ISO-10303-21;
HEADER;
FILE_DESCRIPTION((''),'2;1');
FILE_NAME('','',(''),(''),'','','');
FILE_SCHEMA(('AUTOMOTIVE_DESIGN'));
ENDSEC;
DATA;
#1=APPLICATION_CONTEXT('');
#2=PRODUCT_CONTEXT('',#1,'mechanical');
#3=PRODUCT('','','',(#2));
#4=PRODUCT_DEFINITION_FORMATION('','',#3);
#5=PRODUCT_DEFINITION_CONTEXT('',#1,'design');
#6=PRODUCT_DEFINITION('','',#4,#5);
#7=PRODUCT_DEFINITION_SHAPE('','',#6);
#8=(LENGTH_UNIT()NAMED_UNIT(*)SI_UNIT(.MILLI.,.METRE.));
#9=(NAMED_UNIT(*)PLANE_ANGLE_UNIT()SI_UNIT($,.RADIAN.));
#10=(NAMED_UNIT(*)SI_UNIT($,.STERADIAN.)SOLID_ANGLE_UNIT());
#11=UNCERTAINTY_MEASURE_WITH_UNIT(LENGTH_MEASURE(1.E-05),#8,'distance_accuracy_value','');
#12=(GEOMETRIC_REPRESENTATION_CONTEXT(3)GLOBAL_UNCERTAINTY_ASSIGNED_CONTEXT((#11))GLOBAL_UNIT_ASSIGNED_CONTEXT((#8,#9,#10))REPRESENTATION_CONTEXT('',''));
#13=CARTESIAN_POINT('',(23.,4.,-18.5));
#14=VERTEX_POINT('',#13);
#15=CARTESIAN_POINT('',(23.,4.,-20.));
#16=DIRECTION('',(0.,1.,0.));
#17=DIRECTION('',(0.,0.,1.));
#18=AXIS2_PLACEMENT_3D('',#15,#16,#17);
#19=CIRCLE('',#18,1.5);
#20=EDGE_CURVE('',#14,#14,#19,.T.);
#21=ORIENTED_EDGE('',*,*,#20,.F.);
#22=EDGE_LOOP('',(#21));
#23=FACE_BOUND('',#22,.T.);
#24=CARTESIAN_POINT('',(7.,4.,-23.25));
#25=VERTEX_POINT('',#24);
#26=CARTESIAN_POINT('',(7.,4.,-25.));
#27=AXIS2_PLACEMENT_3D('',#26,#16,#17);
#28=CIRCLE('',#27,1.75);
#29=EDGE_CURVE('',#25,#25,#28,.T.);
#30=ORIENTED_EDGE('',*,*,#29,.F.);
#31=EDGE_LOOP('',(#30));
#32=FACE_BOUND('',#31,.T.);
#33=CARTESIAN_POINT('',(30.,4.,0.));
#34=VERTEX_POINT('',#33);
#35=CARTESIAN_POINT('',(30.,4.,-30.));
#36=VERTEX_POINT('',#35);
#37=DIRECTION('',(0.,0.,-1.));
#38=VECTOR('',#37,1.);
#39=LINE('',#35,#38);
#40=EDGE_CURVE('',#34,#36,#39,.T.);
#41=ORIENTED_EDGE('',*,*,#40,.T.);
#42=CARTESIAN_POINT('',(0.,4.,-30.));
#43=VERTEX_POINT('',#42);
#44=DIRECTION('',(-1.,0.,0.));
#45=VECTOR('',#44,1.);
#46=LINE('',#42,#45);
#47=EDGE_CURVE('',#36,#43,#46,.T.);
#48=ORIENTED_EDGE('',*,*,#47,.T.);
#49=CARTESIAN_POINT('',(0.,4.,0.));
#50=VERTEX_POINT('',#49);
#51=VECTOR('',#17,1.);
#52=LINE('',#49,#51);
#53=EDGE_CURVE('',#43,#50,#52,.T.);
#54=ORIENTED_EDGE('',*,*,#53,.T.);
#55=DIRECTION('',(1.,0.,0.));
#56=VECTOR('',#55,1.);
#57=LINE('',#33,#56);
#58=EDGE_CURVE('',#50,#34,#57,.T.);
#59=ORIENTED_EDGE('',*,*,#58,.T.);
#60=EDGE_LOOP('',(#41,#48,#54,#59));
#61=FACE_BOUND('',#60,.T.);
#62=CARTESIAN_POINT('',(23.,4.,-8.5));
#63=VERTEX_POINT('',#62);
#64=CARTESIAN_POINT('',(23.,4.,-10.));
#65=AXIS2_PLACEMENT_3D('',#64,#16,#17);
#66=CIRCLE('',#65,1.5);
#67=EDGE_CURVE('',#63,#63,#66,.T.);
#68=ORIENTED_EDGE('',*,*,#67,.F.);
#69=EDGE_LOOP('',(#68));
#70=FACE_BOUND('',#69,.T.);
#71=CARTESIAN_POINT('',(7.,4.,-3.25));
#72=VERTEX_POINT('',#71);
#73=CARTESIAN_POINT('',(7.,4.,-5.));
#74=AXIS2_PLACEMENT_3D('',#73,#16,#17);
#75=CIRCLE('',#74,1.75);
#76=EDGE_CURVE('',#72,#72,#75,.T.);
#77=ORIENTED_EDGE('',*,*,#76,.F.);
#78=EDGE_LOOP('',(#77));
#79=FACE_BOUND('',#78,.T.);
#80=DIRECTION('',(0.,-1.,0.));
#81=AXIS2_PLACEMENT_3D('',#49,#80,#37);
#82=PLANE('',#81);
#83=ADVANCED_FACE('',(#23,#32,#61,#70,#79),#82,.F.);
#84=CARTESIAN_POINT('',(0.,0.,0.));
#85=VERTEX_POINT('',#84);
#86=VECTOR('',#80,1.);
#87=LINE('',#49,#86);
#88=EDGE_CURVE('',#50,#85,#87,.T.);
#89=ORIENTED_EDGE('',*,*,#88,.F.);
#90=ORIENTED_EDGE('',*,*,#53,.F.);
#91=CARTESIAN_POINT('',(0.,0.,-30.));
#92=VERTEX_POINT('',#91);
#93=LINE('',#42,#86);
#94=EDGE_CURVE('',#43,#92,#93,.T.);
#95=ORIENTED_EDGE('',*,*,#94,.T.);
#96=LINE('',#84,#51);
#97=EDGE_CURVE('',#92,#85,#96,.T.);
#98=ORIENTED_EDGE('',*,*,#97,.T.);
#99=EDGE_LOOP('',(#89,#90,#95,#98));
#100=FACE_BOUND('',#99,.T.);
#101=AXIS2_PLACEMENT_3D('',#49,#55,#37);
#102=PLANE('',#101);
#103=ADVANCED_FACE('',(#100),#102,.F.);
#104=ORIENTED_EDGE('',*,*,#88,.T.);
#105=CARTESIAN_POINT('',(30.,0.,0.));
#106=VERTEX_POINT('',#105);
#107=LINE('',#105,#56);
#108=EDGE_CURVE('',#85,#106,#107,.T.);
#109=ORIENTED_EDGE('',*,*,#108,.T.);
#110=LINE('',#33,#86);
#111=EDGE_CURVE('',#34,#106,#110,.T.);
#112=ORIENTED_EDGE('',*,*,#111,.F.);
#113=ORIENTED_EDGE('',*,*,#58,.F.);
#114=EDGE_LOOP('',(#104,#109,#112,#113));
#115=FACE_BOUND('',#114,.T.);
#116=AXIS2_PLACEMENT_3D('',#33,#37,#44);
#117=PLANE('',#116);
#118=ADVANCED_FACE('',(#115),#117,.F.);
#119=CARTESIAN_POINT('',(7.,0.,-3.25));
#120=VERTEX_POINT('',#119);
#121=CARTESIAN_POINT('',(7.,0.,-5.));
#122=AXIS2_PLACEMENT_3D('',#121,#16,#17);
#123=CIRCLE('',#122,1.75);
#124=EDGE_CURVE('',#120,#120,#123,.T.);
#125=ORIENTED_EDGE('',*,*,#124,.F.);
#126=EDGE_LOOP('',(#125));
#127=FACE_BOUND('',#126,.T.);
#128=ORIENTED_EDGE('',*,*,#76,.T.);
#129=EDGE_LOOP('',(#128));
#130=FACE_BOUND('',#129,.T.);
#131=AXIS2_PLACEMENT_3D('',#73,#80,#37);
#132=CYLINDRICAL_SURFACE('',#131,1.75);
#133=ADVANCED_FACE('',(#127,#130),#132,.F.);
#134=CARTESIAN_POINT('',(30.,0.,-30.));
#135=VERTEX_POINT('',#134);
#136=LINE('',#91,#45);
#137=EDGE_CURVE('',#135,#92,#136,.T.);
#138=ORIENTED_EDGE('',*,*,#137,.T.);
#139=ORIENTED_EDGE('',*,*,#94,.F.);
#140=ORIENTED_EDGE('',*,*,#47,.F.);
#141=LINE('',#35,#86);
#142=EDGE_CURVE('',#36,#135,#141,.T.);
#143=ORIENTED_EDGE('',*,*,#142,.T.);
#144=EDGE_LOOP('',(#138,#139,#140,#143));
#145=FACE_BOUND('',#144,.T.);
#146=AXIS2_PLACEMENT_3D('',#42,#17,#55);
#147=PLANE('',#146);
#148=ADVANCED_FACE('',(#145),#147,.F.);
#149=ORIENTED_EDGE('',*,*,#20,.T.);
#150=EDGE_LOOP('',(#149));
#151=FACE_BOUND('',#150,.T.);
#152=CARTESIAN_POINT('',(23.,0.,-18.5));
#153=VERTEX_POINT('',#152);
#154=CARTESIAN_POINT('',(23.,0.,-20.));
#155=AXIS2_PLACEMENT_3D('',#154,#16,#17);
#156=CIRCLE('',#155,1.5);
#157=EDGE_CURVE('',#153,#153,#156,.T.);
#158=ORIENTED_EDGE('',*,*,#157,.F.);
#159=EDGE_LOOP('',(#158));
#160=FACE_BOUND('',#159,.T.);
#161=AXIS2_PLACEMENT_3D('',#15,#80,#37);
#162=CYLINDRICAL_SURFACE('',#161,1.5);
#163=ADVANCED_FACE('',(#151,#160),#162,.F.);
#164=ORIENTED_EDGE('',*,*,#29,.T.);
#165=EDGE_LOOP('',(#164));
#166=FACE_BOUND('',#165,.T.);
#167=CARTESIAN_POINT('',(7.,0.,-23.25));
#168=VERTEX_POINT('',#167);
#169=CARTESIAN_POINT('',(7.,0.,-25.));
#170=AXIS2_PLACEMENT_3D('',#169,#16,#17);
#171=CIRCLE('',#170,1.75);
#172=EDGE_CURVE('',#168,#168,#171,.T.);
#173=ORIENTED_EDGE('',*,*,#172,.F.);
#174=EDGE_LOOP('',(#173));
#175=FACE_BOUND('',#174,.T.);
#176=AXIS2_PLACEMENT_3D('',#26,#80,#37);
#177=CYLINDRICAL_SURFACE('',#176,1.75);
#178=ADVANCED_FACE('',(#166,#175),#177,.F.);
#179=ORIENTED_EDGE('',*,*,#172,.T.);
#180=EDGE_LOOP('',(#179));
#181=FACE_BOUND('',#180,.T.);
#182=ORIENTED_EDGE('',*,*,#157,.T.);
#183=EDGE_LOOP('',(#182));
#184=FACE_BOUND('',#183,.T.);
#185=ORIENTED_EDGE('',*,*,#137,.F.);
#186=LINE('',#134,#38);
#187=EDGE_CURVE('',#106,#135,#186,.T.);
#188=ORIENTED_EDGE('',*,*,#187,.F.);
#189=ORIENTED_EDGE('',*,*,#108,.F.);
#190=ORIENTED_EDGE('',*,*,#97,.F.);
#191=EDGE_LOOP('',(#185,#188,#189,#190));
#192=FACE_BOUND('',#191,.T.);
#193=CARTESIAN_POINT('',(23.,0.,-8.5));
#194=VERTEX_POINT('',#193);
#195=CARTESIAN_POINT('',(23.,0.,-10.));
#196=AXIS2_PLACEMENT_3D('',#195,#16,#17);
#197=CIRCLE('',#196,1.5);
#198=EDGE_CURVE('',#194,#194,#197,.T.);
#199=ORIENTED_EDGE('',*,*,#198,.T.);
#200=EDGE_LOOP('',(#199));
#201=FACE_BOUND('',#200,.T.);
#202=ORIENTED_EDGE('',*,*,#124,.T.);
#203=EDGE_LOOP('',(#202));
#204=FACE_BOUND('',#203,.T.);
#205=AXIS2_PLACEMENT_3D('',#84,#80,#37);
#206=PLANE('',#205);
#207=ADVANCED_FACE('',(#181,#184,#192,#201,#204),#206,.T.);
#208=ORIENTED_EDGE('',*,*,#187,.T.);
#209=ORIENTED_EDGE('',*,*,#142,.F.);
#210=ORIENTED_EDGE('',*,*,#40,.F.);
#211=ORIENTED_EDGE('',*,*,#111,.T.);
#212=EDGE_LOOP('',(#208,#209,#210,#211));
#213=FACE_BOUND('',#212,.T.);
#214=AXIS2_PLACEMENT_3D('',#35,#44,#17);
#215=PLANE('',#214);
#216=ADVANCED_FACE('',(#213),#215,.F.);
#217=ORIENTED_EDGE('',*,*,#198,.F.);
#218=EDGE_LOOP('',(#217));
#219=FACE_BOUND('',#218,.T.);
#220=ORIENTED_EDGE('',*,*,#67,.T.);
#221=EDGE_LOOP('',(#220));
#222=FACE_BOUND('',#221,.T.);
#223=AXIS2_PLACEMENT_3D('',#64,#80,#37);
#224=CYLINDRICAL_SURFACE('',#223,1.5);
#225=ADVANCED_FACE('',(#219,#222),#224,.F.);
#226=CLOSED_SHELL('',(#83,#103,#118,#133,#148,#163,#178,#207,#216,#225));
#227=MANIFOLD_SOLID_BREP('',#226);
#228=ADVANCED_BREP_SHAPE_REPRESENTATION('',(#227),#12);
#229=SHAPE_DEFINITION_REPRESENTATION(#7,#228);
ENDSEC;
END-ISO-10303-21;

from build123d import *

# Parameters (mm, degrees)
SKETCH_1_W      = 30
SKETCH_1_H      = 30
SKETCH_1_R      = 1.75
SKETCH_1_R_2    = 1.5
EXTRUDE_1_DEPTH = 4


with BuildPart() as part:
    # 草图1 → 凸台-拉伸1 (new body)
    with BuildSketch(Plane(origin=(0, 0, 0), x_dir=(1, 0, 0), z_dir=(0, 1, 0))):
        with Locations((15, 15)):
            Rectangle(SKETCH_1_W, SKETCH_1_H)
        with Locations(Location((7, 25, 0), (0, 0, 270))):
            Circle(SKETCH_1_R, mode=Mode.SUBTRACT)
        with Locations(Location((7, 5, 0), (0, 0, 270))):
            Circle(SKETCH_1_R, mode=Mode.SUBTRACT)
        with Locations(Location((23, 20, 0), (0, 0, 270))):
            Circle(SKETCH_1_R_2, mode=Mode.SUBTRACT)
        with Locations(Location((23, 10, 0), (0, 0, 270))):
            Circle(SKETCH_1_R_2, mode=Mode.SUBTRACT)
    extrude(amount=EXTRUDE_1_DEPTH)


solid = part.part
